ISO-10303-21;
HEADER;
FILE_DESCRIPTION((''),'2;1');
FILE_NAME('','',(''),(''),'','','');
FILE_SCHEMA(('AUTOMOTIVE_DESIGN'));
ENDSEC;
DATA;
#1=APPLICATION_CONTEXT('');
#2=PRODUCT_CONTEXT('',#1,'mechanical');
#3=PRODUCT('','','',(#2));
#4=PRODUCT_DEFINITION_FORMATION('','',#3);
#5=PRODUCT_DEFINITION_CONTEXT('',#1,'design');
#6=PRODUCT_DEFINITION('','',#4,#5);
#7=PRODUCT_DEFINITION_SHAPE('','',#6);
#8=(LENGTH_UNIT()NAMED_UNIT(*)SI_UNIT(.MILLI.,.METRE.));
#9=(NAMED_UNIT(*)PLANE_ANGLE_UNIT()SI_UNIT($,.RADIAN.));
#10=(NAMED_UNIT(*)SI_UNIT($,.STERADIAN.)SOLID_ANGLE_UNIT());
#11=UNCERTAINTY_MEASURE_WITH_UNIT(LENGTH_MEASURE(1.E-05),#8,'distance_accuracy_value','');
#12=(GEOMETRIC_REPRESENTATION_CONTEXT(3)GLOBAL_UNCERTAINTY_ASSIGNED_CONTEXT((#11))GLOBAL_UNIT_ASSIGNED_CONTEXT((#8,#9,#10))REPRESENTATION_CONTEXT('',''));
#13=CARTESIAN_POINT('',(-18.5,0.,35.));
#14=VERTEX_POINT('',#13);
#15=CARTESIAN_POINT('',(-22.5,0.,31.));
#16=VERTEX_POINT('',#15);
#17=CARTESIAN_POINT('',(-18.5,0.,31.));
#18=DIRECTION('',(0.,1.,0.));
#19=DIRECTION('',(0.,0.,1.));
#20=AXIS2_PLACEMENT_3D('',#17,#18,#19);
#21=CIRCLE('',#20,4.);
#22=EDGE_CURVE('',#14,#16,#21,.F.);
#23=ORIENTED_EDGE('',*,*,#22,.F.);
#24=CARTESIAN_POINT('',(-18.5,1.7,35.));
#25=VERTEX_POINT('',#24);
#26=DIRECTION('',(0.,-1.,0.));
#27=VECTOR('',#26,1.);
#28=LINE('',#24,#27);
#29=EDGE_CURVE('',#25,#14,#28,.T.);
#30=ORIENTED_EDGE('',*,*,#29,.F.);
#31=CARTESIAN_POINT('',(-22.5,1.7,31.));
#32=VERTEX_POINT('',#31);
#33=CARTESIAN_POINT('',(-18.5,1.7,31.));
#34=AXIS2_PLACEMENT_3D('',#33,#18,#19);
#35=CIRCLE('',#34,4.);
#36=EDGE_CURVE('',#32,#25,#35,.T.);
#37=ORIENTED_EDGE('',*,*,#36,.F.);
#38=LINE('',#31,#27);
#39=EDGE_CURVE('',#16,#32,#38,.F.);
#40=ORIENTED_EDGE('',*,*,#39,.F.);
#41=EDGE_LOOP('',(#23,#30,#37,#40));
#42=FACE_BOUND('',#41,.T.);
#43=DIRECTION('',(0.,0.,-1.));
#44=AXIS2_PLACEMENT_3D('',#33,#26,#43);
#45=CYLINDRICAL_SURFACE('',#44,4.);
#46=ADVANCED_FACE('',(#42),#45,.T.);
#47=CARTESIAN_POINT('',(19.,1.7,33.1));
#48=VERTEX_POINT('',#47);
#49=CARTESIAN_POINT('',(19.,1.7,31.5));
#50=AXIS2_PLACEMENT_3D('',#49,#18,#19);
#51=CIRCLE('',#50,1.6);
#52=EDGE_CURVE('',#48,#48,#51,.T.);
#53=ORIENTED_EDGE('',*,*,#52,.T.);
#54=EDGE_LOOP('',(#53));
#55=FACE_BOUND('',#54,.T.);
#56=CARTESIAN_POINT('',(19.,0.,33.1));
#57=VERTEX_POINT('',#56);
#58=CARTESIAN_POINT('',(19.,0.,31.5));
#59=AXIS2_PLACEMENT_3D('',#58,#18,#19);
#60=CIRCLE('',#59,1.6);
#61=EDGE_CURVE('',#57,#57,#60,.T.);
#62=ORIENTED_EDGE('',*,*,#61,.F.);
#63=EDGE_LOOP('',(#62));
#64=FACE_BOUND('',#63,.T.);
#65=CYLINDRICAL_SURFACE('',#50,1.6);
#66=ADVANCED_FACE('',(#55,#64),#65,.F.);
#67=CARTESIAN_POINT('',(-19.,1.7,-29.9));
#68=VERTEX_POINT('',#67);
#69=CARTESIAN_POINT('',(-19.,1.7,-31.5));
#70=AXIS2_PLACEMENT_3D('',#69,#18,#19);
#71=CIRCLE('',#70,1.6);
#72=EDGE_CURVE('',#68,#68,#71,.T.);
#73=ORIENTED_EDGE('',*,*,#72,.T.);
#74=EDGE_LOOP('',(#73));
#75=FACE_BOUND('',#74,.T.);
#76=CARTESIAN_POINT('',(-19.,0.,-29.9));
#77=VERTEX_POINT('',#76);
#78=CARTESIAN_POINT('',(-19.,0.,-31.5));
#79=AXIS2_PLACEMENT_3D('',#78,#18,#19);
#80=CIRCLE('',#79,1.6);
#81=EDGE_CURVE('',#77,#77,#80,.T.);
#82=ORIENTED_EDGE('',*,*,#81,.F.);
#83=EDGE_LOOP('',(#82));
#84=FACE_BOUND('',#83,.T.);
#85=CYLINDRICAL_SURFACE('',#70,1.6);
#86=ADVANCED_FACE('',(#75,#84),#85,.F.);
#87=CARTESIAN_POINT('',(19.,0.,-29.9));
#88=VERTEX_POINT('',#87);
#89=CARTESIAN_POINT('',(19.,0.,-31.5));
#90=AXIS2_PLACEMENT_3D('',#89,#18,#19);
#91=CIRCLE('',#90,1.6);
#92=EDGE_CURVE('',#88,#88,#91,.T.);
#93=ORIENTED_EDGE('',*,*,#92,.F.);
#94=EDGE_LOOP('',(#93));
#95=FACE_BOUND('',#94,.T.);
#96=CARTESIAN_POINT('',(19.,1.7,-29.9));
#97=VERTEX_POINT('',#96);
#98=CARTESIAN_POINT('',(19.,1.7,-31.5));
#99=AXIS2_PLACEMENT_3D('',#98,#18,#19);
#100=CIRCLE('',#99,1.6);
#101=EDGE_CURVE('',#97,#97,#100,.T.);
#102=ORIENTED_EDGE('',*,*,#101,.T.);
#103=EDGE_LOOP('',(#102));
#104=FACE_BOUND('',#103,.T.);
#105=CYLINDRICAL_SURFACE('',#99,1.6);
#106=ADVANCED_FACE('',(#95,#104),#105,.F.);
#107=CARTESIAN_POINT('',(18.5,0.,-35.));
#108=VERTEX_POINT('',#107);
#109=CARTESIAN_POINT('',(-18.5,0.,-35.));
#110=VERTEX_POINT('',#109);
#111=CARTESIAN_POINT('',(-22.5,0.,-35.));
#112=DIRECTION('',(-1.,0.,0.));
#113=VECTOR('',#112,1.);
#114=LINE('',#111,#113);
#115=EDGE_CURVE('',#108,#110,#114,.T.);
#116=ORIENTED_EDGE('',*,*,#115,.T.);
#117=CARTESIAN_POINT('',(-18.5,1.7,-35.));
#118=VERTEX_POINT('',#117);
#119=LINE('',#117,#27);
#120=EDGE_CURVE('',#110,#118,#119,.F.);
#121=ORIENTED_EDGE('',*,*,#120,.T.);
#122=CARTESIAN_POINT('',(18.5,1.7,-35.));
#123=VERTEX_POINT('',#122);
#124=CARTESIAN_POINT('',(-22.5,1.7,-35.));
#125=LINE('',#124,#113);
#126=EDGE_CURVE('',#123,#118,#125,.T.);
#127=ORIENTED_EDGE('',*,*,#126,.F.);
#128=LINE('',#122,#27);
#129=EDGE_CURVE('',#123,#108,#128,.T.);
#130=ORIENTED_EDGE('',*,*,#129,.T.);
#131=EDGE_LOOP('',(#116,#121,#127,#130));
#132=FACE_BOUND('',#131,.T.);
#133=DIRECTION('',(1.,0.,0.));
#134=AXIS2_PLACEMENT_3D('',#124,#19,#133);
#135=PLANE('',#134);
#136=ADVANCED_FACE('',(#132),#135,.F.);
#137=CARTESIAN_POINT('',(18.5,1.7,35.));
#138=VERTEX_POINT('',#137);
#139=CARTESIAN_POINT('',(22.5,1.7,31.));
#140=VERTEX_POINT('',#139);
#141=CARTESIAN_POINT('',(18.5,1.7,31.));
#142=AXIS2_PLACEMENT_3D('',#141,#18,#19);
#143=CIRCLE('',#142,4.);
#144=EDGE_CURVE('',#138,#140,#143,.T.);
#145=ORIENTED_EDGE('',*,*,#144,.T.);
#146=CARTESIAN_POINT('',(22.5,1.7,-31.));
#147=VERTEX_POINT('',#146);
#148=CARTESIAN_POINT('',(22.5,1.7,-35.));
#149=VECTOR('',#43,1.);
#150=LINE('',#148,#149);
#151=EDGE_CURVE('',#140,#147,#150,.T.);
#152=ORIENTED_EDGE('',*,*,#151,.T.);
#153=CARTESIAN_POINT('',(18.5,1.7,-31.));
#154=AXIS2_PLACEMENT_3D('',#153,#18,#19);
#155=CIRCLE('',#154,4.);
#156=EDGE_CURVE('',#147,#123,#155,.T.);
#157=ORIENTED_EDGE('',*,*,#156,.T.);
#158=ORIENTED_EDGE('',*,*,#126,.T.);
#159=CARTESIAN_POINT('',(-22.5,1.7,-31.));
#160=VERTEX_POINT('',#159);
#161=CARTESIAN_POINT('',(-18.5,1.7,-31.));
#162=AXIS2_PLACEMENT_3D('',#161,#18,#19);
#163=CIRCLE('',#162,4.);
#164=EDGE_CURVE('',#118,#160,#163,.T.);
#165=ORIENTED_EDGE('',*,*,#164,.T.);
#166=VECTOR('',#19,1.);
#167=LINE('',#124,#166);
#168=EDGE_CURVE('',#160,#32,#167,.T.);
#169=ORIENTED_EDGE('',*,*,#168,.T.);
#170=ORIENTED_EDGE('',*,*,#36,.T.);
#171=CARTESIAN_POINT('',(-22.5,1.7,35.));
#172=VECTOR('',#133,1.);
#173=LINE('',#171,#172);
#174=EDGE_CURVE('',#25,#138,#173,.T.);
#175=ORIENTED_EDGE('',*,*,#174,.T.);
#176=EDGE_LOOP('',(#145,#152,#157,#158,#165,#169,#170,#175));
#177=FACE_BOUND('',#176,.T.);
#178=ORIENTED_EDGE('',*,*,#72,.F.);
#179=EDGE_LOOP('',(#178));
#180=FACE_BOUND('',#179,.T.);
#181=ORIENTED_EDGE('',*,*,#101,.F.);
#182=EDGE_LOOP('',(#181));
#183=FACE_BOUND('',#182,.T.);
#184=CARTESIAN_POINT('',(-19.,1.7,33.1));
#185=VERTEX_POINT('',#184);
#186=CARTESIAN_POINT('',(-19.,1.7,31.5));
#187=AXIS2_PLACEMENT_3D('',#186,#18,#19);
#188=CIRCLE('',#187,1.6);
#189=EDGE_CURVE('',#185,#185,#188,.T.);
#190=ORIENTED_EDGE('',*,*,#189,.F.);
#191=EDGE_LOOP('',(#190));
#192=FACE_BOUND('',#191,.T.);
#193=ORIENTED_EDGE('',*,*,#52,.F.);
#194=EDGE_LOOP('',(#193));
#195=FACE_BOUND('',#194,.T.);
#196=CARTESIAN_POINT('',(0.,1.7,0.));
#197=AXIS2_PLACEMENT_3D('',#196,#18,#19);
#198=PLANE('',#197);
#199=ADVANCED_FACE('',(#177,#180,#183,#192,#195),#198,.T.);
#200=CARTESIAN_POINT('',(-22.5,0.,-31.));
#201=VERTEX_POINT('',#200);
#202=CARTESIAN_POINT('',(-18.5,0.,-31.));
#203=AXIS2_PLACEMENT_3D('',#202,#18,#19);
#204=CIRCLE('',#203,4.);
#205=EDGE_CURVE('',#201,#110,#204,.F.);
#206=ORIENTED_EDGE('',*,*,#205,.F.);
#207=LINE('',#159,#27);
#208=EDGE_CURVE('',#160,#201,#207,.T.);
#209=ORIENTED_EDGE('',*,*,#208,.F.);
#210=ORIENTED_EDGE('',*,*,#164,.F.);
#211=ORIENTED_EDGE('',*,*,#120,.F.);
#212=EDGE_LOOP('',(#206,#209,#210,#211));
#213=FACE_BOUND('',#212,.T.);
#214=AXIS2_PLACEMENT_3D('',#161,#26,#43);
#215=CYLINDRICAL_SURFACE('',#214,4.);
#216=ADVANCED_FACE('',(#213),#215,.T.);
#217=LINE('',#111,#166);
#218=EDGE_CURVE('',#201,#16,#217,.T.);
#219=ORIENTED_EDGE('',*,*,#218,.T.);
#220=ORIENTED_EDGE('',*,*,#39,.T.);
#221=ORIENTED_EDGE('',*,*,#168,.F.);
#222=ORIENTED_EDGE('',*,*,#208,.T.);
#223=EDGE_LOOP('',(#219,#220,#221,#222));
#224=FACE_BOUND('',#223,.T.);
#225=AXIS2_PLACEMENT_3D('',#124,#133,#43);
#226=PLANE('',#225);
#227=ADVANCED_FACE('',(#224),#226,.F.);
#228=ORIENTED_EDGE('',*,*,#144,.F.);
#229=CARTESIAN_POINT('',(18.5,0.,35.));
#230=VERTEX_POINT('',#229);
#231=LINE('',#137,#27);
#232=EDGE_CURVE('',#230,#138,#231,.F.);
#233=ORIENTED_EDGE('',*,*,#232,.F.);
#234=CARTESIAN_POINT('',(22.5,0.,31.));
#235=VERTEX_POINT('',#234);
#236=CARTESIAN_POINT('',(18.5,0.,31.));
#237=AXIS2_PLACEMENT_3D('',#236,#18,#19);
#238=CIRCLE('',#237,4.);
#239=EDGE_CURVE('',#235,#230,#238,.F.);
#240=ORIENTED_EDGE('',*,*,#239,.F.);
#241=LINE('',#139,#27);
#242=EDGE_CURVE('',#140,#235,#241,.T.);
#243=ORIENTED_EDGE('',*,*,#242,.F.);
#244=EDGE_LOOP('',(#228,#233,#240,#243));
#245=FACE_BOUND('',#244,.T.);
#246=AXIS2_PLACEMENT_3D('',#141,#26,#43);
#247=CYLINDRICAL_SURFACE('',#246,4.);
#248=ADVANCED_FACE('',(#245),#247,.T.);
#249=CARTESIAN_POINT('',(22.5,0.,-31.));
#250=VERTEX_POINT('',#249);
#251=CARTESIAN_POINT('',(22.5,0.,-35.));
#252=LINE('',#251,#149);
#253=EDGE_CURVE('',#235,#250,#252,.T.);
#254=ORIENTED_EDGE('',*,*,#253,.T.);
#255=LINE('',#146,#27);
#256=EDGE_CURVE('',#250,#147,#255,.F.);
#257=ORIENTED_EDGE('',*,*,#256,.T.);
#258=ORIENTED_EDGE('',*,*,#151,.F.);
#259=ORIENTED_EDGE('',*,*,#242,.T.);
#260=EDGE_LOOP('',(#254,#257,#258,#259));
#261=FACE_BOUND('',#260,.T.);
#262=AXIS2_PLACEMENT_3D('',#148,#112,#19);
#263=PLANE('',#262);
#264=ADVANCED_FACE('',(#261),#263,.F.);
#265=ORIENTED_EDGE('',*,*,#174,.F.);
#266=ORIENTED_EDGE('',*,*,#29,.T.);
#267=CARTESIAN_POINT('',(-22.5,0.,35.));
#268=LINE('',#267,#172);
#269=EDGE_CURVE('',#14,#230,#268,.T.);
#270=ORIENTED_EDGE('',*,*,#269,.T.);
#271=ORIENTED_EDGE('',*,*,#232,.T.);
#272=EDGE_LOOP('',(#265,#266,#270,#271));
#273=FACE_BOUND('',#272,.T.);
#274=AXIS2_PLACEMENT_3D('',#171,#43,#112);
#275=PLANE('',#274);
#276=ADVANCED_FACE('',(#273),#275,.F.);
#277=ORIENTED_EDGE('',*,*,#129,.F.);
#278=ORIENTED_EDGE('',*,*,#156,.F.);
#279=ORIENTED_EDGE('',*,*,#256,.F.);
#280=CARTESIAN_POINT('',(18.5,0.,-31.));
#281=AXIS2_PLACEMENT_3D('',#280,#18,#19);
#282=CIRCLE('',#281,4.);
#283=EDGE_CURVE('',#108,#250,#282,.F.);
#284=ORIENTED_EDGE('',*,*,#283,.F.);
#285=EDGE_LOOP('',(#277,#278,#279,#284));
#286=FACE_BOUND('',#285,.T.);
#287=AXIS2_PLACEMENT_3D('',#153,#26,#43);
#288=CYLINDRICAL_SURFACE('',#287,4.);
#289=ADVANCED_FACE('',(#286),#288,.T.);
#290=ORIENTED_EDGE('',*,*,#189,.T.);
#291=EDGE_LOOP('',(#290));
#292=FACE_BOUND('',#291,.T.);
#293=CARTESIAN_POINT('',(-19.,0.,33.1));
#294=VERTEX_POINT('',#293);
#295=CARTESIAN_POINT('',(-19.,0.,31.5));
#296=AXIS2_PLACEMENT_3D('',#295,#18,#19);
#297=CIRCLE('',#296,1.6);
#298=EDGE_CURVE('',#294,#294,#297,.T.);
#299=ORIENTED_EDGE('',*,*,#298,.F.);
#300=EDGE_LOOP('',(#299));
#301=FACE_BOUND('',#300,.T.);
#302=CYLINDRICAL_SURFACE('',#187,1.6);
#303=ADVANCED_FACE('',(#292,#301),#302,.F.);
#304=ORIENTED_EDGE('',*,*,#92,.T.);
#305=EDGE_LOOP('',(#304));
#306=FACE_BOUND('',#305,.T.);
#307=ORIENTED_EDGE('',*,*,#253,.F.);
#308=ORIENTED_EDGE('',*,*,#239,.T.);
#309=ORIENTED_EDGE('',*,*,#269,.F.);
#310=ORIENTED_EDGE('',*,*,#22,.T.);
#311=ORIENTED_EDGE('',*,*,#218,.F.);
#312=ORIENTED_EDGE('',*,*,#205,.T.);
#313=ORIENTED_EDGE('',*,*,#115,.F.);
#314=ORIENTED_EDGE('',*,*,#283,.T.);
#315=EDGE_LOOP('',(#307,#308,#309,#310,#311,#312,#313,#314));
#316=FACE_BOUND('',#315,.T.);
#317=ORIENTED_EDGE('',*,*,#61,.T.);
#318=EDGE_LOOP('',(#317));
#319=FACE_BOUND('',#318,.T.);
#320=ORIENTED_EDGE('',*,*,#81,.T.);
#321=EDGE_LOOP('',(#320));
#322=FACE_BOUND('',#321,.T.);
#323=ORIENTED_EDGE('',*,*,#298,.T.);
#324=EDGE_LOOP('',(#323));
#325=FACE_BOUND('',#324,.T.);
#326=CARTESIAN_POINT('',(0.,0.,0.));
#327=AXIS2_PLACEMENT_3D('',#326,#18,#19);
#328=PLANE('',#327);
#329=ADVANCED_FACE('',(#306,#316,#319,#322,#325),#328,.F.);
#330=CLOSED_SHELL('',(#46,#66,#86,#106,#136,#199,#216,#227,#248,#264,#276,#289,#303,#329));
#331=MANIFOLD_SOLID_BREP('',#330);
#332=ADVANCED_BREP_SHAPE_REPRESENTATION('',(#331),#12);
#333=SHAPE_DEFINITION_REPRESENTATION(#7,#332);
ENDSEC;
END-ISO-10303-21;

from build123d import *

# Parameters (mm, degrees)
SKETCH1_W            = 45
SKETCH1_H            = 70
MAIN_BODY_DEPTH      = 1.7
M3_CLEARANCE_HOLE1_D = 3.2
MIRROR2_COPY_1_D     = 3.2
FILLET1_R            = 4


with BuildPart() as part:
    # Sketch1 → MAIN BODY (new body)
    with BuildSketch(Plane(origin=(0, 0, 0), x_dir=(1, 0, 0), z_dir=(0, 1, 0))):
        Rectangle(SKETCH1_W, SKETCH1_H)
    extrude(amount=MAIN_BODY_DEPTH)

    # M3 Clearance Hole1 (through all)
    with Locations(Plane(origin=(0, 1.7, 0), x_dir=(1, 0, 0), z_dir=(0, 1, 0))):
        with Locations((-19, 31.5)):
            m3_clearance_hole1 = Hole(M3_CLEARANCE_HOLE1_D / 2)

    # Mirror1: M3 Clearance Hole1 across plane
    add(m3_clearance_hole1.mirror(Plane(origin=(0, 0, 0), x_dir=(0, 0, 1), z_dir=(1, 0, 0))), mode=Mode.SUBTRACT)

    # Mirror2: M3 Clearance Hole1 across plane
    add(m3_clearance_hole1.mirror(Plane.XY), mode=Mode.SUBTRACT)

    # Mirror2 copy 1 (through all)
    with Locations(Plane(origin=(0, 1.7, 0), x_dir=(-1, 0, 0), z_dir=(0, 1, 0))):
        with Locations((-19, 31.5)):
            Hole(MIRROR2_COPY_1_D / 2)

    # Fillet1
    fillet1_edges = [part.edges().sort_by_distance(p)[0] for p in [
        (22.5, 0.85, 35),
        (-22.5, 0.85, 35),
        (-22.5, 0.85, -35),
        (22.5, 0.85, -35),
    ]]
    fillet(fillet1_edges, radius=FILLET1_R)


solid = part.part
